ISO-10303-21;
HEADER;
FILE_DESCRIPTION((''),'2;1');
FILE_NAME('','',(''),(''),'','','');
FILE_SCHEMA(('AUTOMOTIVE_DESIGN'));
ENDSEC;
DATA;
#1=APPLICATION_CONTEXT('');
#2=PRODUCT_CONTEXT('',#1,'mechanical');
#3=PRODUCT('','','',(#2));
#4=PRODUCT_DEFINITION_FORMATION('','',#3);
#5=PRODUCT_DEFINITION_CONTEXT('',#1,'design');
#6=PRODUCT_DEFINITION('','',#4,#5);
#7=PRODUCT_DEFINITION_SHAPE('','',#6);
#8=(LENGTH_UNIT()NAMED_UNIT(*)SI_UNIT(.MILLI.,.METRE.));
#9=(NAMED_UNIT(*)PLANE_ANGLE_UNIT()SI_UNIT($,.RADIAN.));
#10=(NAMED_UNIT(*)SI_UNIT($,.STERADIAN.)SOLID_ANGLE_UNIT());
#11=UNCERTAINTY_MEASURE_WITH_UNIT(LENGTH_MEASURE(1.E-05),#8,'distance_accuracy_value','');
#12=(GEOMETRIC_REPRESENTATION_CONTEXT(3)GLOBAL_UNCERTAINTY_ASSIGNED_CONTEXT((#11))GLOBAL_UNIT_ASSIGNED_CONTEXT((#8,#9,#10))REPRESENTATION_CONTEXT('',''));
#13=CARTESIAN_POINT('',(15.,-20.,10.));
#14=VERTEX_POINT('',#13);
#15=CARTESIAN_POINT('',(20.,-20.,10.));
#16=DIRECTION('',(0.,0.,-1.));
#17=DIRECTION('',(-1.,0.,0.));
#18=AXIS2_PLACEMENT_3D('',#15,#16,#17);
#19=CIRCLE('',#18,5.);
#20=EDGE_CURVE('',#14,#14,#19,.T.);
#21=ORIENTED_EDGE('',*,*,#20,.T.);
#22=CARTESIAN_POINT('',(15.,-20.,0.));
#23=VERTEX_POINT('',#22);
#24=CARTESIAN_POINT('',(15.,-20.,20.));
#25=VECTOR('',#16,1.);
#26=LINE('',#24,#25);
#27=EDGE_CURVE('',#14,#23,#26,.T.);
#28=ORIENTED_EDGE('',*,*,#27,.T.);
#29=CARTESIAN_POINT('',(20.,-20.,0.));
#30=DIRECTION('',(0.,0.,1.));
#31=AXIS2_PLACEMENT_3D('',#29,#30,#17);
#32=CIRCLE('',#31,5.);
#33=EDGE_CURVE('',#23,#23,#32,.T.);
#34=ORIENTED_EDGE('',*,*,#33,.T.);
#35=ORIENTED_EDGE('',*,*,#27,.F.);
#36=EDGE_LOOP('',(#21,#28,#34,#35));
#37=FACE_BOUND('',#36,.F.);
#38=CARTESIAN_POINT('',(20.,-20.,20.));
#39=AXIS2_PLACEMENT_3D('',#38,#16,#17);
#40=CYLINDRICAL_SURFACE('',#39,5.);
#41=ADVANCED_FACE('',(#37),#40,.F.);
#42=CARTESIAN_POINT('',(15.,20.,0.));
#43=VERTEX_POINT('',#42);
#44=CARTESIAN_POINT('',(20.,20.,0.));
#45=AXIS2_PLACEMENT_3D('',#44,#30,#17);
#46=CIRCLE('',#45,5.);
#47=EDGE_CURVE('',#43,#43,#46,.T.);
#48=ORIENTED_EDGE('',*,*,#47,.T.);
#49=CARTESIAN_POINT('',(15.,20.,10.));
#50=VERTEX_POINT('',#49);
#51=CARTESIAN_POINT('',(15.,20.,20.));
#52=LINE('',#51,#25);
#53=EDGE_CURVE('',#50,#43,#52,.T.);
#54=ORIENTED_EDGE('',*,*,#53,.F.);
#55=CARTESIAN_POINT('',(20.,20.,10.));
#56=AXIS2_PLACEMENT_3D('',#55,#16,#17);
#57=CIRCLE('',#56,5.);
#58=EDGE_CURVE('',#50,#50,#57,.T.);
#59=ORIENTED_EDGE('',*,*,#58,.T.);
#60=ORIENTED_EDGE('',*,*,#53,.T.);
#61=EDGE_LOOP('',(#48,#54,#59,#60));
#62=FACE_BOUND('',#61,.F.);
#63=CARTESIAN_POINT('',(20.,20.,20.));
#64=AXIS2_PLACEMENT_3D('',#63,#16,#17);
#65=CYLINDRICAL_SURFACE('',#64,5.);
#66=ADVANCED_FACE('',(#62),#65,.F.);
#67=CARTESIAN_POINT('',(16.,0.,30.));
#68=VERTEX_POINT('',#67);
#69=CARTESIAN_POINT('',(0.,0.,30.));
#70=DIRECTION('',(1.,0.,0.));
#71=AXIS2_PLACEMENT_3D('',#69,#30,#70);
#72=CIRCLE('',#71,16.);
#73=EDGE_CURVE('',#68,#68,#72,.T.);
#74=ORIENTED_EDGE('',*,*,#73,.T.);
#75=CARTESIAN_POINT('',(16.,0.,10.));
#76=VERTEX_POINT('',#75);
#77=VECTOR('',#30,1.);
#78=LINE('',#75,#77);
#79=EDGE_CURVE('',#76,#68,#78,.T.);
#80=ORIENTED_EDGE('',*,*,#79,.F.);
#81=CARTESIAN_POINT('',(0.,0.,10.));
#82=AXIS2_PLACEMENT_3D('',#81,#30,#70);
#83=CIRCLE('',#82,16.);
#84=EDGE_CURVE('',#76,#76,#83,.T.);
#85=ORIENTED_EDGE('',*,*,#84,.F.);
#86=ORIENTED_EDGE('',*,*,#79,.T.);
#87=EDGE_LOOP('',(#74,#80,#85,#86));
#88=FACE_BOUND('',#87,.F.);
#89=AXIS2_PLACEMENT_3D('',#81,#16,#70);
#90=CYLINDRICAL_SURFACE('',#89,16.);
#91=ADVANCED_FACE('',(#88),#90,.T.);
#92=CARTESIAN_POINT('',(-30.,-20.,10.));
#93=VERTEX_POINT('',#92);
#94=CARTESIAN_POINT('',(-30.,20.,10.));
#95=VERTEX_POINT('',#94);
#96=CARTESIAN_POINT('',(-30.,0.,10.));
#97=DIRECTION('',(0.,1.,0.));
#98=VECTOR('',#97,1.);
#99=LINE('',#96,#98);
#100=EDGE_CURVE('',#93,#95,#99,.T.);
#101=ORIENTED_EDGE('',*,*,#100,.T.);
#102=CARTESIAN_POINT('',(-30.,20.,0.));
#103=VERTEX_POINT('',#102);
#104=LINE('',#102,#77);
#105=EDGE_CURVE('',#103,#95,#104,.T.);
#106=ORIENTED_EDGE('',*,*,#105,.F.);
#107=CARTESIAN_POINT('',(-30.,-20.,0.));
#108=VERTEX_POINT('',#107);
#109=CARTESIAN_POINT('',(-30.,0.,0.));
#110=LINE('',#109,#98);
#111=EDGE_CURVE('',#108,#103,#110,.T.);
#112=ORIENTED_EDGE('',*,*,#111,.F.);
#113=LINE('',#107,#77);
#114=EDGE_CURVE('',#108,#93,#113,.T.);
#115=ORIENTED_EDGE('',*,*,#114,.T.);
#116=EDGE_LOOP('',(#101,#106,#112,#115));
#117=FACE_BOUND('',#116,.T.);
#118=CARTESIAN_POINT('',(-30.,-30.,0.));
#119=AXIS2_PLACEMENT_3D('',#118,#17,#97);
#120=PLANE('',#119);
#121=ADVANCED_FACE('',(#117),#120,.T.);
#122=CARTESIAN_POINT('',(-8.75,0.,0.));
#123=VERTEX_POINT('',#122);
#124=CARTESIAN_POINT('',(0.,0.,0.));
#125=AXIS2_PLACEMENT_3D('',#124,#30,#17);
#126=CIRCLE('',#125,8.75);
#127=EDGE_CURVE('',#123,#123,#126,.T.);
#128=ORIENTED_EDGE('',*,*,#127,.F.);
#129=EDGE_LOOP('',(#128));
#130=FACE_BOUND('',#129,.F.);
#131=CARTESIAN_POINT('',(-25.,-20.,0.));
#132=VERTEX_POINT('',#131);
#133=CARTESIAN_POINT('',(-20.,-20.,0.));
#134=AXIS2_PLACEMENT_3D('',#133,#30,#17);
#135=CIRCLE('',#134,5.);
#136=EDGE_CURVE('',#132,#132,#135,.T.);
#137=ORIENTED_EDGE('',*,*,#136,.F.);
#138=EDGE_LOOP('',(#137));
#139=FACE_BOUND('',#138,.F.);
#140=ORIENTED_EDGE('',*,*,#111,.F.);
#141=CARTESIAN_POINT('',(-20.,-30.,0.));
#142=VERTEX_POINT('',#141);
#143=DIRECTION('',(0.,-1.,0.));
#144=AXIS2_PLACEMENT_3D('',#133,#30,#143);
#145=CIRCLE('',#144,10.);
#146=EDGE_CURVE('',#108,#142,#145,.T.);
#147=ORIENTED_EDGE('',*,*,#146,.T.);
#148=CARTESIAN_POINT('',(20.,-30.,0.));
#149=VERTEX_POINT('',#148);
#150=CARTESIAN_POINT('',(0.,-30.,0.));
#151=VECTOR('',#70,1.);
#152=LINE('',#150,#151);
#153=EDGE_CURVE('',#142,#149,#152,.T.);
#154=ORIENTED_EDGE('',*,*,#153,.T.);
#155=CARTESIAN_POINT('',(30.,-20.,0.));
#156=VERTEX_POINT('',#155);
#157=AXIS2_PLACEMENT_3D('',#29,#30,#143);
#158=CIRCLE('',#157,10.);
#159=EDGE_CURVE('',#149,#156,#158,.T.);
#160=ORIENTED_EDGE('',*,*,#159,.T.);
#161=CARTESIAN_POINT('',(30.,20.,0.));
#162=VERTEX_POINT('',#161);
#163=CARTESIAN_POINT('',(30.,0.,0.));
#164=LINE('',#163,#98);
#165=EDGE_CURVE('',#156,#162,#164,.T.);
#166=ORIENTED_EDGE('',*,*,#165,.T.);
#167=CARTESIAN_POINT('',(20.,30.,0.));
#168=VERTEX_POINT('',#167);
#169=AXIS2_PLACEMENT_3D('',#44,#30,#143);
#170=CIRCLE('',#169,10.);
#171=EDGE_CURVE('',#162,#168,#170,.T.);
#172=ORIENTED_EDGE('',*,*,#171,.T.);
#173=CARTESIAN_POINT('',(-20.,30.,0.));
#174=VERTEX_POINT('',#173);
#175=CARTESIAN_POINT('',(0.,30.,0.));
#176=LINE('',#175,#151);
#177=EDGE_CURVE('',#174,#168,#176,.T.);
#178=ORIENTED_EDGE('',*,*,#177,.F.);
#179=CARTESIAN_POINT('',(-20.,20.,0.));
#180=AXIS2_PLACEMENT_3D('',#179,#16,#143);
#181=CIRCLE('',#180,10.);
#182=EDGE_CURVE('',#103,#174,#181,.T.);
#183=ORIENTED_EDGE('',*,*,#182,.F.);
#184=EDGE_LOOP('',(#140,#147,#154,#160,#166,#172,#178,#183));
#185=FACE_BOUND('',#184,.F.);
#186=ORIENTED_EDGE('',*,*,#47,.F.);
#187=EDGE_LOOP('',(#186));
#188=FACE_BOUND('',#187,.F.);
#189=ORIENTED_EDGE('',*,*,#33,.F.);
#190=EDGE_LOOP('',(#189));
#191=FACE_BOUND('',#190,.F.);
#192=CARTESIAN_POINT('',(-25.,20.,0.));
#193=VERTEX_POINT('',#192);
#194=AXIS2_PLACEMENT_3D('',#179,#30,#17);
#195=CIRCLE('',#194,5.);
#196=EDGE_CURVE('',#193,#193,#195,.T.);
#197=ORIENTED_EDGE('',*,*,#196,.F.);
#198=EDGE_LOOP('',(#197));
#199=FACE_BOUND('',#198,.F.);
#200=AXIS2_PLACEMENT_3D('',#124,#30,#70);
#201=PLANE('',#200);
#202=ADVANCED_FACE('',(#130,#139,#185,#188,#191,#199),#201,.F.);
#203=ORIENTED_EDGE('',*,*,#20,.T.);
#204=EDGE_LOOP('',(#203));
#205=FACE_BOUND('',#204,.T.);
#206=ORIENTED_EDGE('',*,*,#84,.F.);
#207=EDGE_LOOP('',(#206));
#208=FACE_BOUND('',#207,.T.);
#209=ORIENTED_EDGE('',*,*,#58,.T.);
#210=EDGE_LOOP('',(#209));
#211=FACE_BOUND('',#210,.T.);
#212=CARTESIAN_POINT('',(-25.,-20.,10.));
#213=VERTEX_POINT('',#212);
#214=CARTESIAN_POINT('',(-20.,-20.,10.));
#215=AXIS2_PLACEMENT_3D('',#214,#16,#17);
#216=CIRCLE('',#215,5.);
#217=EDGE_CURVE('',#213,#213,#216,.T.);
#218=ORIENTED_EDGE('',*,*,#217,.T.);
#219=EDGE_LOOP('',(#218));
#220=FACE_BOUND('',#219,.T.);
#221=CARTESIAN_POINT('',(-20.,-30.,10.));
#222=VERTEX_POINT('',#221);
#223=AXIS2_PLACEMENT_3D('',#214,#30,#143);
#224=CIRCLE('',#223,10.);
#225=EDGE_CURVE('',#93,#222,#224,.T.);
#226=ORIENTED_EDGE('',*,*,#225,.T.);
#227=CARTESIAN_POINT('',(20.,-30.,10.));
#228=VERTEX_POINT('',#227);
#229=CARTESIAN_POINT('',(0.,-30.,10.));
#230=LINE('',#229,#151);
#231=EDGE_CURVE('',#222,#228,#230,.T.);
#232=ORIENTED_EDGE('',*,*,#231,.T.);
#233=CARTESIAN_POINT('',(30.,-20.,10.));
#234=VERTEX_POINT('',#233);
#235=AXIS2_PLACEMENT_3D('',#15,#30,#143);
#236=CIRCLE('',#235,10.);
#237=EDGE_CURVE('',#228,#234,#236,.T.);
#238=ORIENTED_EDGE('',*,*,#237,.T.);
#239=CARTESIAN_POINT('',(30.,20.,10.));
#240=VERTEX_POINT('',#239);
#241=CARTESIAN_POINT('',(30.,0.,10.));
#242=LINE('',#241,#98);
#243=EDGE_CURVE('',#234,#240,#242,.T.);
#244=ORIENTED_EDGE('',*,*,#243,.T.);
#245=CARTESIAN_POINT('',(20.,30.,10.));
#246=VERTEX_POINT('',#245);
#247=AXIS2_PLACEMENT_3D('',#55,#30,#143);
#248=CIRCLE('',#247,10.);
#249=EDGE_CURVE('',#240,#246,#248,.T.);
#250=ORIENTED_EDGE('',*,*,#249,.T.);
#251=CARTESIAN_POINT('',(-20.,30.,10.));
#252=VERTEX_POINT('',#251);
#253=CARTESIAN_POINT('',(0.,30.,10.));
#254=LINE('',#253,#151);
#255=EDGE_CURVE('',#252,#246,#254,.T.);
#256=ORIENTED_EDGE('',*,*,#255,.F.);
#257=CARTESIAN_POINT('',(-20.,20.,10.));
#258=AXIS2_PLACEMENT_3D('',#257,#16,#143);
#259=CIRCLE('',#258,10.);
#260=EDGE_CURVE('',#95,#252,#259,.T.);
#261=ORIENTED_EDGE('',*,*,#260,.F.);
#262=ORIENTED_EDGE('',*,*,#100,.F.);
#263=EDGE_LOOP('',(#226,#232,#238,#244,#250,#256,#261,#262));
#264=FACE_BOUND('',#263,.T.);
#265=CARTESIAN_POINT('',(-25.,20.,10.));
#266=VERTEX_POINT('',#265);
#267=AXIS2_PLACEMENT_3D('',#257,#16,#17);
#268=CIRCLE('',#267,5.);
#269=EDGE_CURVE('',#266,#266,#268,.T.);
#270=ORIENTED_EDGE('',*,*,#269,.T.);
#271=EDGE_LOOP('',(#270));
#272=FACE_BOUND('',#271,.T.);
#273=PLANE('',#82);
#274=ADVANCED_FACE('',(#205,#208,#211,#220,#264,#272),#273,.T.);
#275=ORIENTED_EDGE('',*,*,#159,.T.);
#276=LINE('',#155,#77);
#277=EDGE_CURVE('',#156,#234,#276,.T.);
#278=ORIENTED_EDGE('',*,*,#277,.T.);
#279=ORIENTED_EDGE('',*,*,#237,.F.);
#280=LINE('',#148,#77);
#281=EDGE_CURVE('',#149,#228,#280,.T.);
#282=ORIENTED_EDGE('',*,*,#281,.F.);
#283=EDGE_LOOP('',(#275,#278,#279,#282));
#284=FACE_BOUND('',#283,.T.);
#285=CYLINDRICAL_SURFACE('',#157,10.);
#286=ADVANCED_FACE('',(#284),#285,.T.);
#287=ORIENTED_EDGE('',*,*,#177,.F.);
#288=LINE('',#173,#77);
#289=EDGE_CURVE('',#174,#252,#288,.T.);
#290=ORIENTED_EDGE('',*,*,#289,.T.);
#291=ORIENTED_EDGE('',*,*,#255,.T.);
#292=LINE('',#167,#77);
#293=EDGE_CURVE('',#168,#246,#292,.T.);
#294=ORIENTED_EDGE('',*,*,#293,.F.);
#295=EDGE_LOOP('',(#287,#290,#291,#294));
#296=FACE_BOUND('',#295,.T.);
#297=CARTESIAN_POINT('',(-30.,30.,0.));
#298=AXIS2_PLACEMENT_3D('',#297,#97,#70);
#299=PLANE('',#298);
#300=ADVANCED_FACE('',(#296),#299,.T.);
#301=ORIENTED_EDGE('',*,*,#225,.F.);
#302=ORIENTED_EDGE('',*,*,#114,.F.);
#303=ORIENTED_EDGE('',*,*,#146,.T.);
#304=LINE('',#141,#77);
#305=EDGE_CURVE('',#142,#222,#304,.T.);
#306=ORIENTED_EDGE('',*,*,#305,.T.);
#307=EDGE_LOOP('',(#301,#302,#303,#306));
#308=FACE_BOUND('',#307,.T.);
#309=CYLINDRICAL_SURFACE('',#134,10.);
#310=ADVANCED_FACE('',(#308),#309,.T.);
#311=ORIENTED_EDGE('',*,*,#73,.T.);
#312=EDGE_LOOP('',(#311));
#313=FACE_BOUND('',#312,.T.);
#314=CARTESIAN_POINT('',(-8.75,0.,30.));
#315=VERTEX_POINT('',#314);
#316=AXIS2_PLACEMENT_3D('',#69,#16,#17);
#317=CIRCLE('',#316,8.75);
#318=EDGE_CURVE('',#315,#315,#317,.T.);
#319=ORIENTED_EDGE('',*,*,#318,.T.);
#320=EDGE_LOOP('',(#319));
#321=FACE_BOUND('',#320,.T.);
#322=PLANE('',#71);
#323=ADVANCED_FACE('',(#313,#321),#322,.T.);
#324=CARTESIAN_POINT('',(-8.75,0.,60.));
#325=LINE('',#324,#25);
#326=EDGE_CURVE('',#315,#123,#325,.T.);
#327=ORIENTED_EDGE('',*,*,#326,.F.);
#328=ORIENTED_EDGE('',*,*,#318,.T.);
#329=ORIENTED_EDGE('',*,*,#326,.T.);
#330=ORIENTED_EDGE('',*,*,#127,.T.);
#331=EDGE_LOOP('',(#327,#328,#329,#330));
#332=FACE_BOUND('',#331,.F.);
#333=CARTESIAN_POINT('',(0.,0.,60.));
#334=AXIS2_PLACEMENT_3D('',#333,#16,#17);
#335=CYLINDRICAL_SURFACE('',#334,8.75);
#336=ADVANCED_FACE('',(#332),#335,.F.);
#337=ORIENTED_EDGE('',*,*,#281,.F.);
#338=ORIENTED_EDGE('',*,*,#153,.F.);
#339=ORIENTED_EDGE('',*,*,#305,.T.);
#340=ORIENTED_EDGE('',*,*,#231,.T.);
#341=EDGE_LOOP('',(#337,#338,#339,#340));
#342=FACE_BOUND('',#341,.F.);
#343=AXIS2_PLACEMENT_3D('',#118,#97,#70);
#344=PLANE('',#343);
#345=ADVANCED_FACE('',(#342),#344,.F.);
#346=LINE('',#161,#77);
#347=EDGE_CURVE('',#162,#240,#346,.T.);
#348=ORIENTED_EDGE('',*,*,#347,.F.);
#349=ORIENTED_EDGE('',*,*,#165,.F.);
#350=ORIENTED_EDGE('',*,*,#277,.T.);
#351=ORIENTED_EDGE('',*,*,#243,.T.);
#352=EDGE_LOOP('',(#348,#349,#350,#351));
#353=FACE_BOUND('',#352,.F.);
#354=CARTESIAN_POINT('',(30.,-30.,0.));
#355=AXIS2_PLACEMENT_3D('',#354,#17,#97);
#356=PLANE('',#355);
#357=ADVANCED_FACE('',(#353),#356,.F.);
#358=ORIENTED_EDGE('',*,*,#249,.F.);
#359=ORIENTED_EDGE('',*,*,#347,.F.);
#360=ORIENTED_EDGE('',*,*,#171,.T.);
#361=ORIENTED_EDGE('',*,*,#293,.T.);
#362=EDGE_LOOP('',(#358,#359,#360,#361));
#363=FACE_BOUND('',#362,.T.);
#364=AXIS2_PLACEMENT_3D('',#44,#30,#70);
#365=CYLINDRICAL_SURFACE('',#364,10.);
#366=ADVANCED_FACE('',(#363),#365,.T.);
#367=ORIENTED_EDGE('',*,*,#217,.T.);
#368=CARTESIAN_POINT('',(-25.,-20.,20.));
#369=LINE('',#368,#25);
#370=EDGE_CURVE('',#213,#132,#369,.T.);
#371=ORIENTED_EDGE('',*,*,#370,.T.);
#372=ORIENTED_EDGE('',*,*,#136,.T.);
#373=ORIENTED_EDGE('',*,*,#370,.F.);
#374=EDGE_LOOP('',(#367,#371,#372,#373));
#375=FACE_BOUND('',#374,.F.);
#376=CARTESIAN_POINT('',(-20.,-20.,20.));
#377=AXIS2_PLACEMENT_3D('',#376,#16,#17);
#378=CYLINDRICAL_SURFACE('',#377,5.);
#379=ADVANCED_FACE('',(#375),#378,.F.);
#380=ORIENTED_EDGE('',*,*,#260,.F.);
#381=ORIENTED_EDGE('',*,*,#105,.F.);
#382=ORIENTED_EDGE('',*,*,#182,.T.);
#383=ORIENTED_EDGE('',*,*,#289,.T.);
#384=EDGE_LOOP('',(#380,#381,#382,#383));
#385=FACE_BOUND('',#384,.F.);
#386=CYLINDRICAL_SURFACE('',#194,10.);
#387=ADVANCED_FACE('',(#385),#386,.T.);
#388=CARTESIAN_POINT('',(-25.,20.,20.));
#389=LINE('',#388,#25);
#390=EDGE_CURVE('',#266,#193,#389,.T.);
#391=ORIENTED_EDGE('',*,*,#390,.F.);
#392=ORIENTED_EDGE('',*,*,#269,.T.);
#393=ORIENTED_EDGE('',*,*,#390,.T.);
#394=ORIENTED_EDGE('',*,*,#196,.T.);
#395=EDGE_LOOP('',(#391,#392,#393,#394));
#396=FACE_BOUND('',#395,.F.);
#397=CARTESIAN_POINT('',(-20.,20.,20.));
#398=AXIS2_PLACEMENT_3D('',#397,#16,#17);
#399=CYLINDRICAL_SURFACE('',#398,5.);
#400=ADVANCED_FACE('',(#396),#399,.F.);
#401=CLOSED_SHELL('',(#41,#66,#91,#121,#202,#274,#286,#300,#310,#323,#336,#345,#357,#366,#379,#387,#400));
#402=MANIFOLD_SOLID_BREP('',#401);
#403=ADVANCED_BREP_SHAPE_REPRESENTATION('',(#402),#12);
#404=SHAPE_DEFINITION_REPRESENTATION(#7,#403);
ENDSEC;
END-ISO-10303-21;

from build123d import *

# Parameters (mm, degrees)
F0_W     = 60
F0_H     = 60
F1_DEPTH = 10
F2_R     = 10
F4_D     = 10
F4_DEPTH = 10
F4_TIP   = 3.0043030951
F5_R     = 16
F6_DEPTH = 20
F8_D     = 17.5
F8_DEPTH = 30
F8_TIP   = 5.2575304165


with BuildPart() as f1:
    # F0 (on Top) → F1 (new body)
    with BuildSketch(Plane.XY):
        Rectangle(F0_W, F0_H)
    extrude(amount=F1_DEPTH)

    # F2
    f2_edges = [f1.edges().sort_by_distance(p)[0] for p in [
        (-30, 30, 5),
        (-30, -30, 5),
        (30, -30, 5),
        (30, 30, 5),
    ]]
    fillet(f2_edges, radius=F2_R)

    # F4
    with Locations(Plane.XY.offset(10)):
        with Locations((-20, 20), (20, 20), (20, -20), (-20, -20)):
            Hole(F4_D / 2, depth=F4_DEPTH)
            with Locations((0, 0, -(F4_DEPTH + F4_TIP / 2))):  # 118° drill point
                Cone(0, F4_D / 2, F4_TIP, mode=Mode.SUBTRACT)

    # F5 (on face) → F6 (join)
    with BuildSketch(Plane.XY.offset(10)):
        Circle(F5_R)
    extrude(amount=F6_DEPTH)

    # F8
    with Locations(Plane.XY.offset(30)):
        with Locations((0, 0)):
            Hole(F8_D / 2, depth=F8_DEPTH)
            with Locations((0, 0, -(F8_DEPTH + F8_TIP / 2))):  # 118° drill point
                Cone(0, F8_D / 2, F8_TIP, mode=Mode.SUBTRACT)


solid = f1.part
